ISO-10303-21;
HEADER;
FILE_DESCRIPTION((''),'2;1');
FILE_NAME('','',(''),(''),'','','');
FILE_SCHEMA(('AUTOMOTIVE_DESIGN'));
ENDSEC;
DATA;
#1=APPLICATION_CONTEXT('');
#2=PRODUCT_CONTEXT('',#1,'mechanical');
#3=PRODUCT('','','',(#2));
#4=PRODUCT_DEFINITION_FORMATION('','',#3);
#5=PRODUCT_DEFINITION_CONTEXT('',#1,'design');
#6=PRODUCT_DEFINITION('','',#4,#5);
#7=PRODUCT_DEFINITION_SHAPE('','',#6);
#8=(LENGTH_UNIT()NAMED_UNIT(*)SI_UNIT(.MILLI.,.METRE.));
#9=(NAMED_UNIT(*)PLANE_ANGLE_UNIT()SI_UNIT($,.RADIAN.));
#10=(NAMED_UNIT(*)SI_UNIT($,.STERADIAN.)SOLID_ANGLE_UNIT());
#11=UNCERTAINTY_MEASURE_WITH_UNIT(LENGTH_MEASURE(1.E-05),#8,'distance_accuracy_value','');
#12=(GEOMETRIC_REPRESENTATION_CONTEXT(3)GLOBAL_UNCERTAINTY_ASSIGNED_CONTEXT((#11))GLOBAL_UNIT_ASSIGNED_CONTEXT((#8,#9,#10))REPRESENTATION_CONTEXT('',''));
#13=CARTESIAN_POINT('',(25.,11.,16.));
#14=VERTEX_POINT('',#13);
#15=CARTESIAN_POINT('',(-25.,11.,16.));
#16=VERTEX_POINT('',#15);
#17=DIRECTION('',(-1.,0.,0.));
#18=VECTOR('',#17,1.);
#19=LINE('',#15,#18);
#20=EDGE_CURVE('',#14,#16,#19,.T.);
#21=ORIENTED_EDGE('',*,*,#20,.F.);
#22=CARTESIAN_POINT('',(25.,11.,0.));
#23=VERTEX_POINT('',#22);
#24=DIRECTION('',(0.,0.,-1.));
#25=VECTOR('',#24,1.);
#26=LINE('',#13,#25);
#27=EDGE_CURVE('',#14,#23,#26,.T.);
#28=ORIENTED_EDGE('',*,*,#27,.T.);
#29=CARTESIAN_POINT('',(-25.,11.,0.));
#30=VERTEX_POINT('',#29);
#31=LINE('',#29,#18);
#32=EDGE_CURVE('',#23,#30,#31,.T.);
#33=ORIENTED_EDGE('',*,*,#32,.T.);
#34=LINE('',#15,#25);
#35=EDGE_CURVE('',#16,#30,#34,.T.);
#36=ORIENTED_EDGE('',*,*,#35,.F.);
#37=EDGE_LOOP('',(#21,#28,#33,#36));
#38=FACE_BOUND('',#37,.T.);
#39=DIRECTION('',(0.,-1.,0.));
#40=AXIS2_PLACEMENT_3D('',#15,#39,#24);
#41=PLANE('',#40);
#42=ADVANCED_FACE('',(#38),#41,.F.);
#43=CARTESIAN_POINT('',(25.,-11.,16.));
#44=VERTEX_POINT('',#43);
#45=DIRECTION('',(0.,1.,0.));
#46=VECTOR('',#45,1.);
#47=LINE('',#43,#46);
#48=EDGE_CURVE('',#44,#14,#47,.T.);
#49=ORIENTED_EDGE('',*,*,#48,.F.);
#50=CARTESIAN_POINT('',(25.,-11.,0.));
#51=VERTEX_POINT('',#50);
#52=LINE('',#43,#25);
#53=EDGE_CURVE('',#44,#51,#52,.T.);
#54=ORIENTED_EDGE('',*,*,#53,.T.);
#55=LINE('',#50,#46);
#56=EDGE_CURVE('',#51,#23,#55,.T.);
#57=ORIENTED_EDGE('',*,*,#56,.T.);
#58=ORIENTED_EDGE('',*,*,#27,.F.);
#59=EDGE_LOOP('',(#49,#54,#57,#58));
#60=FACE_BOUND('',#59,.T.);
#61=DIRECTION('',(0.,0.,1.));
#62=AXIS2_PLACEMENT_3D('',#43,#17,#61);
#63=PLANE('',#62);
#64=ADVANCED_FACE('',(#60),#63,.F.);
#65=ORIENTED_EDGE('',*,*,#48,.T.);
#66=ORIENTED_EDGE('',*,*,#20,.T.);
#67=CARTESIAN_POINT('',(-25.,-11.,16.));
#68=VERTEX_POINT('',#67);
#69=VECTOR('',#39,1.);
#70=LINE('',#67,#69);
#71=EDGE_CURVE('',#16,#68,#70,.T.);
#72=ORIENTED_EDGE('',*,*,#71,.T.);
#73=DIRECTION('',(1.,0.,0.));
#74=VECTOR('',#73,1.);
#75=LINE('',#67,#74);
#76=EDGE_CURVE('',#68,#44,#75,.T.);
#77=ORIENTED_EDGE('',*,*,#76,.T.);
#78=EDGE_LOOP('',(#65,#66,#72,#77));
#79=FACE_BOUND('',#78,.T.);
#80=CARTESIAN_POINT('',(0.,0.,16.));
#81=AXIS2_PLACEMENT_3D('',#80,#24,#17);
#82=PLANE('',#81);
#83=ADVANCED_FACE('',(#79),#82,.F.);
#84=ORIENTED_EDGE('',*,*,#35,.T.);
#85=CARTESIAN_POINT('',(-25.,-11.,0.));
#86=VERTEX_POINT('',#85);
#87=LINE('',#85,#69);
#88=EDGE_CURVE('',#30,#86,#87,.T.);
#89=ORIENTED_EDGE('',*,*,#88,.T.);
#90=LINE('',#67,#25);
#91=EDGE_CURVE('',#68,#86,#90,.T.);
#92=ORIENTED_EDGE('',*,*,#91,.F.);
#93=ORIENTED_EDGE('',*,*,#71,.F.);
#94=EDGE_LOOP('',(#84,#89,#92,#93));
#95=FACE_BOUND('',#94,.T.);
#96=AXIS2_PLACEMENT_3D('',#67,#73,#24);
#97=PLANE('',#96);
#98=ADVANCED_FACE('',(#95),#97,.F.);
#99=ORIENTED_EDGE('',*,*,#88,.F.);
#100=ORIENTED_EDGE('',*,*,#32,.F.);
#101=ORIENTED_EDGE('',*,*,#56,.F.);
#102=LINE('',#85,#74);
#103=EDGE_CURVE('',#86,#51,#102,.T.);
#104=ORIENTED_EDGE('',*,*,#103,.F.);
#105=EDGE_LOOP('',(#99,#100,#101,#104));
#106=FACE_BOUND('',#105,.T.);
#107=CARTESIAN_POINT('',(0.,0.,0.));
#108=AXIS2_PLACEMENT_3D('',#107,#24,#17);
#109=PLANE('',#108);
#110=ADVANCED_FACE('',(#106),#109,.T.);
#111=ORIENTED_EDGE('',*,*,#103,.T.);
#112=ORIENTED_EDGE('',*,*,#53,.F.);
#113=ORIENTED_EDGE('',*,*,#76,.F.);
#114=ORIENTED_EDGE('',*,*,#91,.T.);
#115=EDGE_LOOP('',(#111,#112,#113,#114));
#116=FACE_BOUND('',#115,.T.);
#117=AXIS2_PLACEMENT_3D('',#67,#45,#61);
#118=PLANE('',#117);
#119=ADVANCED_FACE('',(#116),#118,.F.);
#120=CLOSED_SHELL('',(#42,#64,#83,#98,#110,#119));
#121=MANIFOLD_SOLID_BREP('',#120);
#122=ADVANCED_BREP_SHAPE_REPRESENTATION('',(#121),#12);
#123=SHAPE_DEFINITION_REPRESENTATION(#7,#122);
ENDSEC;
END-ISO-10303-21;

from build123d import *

# Parameters (mm, degrees)
SKETCH1_W                                  = 50
SKETCH1_H                                  = 22
REFERENCE_ENVELOPE_NOT_MANUFACTURING_DEPTH = 16


with BuildPart() as part:
    # Sketch1 → REFERENCE_ENVELOPE_NOT_MANUFACTURING (new body)
    with BuildSketch(Plane.XY):
        Rectangle(SKETCH1_W, SKETCH1_H)
    extrude(amount=REFERENCE_ENVELOPE_NOT_MANUFACTURING_DEPTH)


solid = part.part
